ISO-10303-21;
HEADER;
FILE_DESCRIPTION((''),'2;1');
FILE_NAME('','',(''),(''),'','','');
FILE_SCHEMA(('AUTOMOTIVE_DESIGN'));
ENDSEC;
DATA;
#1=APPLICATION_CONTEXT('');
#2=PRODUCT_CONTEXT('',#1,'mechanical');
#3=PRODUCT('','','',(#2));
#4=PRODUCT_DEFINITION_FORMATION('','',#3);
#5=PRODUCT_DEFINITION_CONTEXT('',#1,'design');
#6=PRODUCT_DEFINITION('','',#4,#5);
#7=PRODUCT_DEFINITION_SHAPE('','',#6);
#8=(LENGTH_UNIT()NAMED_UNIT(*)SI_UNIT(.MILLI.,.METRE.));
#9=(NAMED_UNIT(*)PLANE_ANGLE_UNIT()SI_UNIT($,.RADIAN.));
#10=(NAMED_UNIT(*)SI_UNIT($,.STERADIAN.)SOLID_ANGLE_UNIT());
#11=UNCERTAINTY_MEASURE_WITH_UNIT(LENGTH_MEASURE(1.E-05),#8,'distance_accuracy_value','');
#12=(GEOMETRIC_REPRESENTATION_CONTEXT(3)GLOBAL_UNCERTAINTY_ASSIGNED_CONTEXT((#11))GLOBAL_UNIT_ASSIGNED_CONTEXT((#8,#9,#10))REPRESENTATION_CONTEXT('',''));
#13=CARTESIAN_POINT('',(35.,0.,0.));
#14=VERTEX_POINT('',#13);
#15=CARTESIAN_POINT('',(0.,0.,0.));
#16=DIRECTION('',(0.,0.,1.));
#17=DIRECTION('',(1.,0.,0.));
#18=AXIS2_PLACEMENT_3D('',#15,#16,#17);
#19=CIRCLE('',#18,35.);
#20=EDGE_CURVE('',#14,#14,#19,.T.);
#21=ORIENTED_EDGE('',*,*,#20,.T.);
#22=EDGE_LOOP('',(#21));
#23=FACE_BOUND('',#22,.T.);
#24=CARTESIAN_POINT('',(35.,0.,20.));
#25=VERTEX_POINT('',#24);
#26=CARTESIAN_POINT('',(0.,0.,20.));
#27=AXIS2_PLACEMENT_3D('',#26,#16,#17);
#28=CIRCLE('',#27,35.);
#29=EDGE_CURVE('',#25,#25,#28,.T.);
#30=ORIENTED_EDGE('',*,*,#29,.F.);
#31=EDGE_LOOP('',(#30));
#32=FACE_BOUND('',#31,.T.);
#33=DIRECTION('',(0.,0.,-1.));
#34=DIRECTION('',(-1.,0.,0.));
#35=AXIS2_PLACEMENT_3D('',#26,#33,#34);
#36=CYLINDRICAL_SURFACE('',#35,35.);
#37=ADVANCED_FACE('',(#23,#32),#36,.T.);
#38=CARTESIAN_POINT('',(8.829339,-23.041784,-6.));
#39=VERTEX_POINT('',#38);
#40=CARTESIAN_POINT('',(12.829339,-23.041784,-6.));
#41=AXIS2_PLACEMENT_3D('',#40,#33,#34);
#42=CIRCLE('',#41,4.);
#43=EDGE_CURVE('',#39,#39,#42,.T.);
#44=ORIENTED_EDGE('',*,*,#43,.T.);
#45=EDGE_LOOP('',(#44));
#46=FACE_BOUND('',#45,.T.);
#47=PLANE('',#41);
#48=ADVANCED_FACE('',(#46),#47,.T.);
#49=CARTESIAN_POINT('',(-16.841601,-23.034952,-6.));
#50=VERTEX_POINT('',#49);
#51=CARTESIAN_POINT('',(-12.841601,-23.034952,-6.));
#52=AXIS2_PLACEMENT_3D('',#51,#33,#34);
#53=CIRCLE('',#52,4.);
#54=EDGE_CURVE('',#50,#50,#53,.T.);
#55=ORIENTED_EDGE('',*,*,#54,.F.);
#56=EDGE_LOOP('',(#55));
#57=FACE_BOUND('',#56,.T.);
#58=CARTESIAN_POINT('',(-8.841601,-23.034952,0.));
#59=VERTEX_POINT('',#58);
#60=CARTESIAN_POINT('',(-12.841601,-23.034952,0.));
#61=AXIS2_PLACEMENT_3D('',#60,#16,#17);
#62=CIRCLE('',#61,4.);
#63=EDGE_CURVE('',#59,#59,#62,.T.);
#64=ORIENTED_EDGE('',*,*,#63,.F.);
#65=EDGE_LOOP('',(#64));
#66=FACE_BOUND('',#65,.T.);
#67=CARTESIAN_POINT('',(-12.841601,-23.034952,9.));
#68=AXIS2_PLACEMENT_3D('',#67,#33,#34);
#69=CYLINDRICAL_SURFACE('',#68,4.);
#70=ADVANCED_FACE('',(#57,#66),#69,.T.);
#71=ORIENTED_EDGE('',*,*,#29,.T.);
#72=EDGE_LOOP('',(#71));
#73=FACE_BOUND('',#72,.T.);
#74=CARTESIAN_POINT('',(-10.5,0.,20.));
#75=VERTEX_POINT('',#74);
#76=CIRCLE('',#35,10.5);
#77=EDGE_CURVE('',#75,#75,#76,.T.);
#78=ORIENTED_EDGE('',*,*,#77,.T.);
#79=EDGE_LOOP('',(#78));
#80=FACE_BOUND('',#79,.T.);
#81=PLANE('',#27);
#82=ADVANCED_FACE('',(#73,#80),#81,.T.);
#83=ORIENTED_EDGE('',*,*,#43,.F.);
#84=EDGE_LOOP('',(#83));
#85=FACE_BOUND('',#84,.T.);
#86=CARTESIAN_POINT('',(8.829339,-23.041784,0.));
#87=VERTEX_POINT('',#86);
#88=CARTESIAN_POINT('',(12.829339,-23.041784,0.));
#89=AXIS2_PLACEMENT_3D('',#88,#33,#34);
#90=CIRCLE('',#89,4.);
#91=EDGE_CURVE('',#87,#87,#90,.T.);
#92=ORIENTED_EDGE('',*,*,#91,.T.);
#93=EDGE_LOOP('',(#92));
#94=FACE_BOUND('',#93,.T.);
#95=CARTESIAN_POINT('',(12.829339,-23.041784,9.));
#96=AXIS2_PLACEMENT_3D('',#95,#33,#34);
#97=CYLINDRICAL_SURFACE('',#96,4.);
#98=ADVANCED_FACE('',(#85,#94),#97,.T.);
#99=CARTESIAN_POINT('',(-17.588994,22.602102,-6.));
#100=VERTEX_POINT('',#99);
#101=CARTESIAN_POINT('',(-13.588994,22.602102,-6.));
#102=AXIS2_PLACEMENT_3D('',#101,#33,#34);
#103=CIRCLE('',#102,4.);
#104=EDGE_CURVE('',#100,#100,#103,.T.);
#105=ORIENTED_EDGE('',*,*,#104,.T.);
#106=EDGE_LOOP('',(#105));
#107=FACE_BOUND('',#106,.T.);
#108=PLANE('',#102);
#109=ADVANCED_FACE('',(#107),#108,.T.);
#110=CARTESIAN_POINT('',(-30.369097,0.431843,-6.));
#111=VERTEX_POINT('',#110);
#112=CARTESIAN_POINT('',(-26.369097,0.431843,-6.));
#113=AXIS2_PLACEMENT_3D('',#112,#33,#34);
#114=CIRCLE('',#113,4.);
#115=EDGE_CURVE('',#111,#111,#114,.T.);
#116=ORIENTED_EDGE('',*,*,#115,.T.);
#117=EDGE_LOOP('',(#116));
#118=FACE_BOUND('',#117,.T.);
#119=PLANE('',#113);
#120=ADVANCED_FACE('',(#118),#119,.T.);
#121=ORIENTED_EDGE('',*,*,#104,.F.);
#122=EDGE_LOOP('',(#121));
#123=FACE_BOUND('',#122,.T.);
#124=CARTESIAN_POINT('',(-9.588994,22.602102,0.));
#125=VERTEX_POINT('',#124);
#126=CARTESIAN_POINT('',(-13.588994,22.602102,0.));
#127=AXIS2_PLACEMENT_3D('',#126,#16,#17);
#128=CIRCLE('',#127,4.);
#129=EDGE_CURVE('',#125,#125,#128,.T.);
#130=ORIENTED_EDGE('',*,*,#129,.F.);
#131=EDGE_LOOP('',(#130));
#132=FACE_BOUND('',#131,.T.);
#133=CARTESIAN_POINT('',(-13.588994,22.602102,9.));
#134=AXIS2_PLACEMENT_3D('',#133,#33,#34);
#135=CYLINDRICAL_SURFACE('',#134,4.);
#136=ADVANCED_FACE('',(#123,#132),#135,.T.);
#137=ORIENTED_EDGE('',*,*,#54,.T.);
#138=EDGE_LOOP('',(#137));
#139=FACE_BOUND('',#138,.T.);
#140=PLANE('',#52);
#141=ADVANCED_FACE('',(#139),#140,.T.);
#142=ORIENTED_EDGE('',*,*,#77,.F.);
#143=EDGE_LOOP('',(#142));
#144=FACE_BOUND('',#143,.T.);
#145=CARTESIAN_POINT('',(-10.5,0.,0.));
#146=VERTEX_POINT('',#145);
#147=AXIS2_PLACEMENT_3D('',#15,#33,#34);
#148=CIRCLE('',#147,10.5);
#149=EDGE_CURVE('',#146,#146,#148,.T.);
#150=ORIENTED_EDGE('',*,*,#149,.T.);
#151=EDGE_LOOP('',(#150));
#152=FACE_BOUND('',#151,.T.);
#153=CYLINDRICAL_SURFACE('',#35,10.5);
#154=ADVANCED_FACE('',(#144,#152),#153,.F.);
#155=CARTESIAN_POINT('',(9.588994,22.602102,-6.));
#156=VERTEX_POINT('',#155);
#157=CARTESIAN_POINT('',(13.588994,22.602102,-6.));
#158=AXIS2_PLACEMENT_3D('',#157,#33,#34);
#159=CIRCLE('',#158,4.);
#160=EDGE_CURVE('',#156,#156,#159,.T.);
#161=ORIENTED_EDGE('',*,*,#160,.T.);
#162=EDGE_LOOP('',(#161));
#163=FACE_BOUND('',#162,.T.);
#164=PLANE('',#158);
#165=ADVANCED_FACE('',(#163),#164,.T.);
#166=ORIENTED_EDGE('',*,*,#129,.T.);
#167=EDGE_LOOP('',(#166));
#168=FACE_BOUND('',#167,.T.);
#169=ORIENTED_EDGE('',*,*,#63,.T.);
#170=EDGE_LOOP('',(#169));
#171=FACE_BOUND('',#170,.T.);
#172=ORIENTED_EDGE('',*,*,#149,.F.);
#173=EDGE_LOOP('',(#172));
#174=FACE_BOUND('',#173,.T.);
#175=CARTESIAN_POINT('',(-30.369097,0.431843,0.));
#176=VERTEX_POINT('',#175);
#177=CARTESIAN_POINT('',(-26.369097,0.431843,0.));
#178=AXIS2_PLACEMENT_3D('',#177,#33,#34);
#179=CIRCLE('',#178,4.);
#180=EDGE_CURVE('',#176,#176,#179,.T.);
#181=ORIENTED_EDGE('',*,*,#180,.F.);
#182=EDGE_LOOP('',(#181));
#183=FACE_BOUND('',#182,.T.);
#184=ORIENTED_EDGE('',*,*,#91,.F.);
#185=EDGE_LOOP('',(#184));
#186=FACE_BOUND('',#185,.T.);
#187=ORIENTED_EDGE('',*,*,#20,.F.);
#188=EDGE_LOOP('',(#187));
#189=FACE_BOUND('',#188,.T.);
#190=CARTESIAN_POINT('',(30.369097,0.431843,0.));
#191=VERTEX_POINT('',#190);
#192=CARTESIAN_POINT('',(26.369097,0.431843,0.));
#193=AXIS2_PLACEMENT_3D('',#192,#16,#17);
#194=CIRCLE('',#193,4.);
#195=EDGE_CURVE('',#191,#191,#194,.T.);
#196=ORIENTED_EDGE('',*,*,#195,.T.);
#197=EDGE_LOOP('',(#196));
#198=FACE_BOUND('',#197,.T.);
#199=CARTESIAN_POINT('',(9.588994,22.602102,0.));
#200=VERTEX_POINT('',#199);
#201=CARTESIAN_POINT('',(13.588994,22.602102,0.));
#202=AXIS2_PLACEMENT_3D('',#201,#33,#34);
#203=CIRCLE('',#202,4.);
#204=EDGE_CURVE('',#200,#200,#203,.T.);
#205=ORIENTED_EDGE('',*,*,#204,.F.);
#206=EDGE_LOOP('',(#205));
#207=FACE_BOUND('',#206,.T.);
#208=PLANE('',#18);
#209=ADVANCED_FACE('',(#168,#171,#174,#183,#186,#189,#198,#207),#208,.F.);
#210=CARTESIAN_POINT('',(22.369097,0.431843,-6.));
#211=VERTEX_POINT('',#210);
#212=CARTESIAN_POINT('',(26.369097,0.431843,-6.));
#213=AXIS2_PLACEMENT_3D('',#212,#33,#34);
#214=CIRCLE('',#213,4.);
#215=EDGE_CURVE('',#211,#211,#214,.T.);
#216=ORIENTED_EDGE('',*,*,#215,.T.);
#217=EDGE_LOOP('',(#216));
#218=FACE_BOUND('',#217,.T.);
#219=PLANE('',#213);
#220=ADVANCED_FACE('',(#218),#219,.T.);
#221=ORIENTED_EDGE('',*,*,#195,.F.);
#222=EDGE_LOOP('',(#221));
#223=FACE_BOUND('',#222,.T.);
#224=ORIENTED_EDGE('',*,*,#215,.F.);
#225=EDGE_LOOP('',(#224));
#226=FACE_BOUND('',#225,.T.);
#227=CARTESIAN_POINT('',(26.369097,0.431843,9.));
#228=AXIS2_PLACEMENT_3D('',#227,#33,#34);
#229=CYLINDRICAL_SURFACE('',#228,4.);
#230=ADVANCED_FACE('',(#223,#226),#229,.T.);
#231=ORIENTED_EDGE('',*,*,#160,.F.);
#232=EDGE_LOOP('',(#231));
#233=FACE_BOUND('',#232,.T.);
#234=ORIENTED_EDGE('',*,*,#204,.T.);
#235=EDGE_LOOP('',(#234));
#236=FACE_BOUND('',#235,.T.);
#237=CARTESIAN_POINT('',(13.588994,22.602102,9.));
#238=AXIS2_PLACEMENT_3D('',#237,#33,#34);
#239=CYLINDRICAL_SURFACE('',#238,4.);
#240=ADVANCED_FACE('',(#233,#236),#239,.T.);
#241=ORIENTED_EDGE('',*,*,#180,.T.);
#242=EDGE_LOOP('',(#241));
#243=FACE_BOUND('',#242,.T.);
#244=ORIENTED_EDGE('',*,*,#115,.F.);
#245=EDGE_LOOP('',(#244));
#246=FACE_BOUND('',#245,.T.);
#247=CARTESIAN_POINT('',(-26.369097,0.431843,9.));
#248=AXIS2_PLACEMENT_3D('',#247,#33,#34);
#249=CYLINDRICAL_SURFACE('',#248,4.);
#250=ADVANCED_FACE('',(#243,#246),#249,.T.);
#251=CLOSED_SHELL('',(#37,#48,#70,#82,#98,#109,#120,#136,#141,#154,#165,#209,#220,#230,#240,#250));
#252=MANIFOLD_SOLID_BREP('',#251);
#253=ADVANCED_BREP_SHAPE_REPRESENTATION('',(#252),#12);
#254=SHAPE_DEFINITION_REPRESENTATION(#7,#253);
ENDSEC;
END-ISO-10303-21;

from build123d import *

# Parameters (mm, degrees)
ESQUISSE1_R             = 35
ESQUISSE1_R_2           = 7
BOSS_EXTRU_1_DEPTH      = 20
ESQUISSE2_R             = 14
ENL_V_MAT_EXTRU_1_DEPTH = 5
ESQUISSE3_R             = 4
ENL_V_MAT_EXTRU_3_DEPTH = 5
ESQUISSE8_R             = 14
ENL_V_MAT_EXTRU_4_DEPTH = 25
BOSS_EXTRU_2_DEPTH      = 6
BOSS_EXTRU_2_DEPTH_BACK = 9
ESQUISSE9_R             = 4
ESQUISSE10_R            = 14
ESQUISSE10_R_2          = 10.5
BOSS_EXTRU_3_DEPTH      = 20


with BuildPart() as part:
    # Esquisse1 → Boss.-Extru.1 (new body)
    with BuildSketch(Plane.XY):
        Circle(ESQUISSE1_R)
        Circle(ESQUISSE1_R_2, mode=Mode.SUBTRACT)
    extrude(amount=BOSS_EXTRU_1_DEPTH)

    # Esquisse2 → Enlèv. mat.-Extru.1 (cut)
    with BuildSketch(Plane(origin=(0, 0, 0), x_dir=(-1, 0, 0), z_dir=(0, 0, -1))):
        Circle(ESQUISSE2_R)
    extrude(amount=-ENL_V_MAT_EXTRU_1_DEPTH, mode=Mode.SUBTRACT)

    # Esquisse3 → Enlèv. mat.-Extru.3 (cut)
    with BuildSketch(Plane(origin=(0, 0, 0), x_dir=(-1, 0, 0), z_dir=(0, 0, -1))):
        with Locations((-13.588993608, 22.602101614)):
            Circle(ESQUISSE3_R)
        with Locations((13.588993608, 22.602101614)):
            Circle(ESQUISSE3_R)
        with Locations((26.369096609, 0.431843358)):
            Circle(ESQUISSE3_R)
        with Locations((12.841601354, -23.034952123)):
            Circle(ESQUISSE3_R)
        with Locations((-12.82933858, -23.041784138)):
            Circle(ESQUISSE3_R)
        with Locations((-26.369096609, 0.431843358)):
            Circle(ESQUISSE3_R)
    extrude(amount=-ENL_V_MAT_EXTRU_3_DEPTH, mode=Mode.SUBTRACT)

    # Esquisse8 → Enlèv. mat.-Extru.4 (cut)
    with BuildSketch(Plane(origin=(0, 0, 0), x_dir=(-1, 0, 0), z_dir=(0, 0, -1))):
        Circle(ESQUISSE8_R)
    extrude(amount=-ENL_V_MAT_EXTRU_4_DEPTH, mode=Mode.SUBTRACT)

    # Esquisse9 → Boss.-Extru.2 (add, two sides: drawn at the far end of the back side and taken through both)
    with BuildSketch(Plane(origin=(0, 0, 0), x_dir=(-1, 0, 0), z_dir=(0, 0, -1)).offset(-BOSS_EXTRU_2_DEPTH_BACK)):
        with Locations((-13.588993608, 22.602101614)):
            Circle(ESQUISSE9_R)
        with Locations((13.588993608, 22.602101614)):
            Circle(ESQUISSE9_R)
        with Locations((26.369096609, 0.431843358)):
            Circle(ESQUISSE9_R)
        with Locations((12.841601354, -23.034952123)):
            Circle(ESQUISSE9_R)
        with Locations((-12.82933858, -23.041784138)):
            Circle(ESQUISSE9_R)
        with Locations((-26.369096609, 0.431843358)):
            Circle(ESQUISSE9_R)
    extrude(amount=BOSS_EXTRU_2_DEPTH + BOSS_EXTRU_2_DEPTH_BACK)

    # Esquisse10 → Boss.-Extru.3 (add)
    with BuildSketch(Plane(origin=(0, 0, 0), x_dir=(-1, 0, 0), z_dir=(0, 0, -1))):
        Circle(ESQUISSE10_R)
        Circle(ESQUISSE10_R_2, mode=Mode.SUBTRACT)
    extrude(amount=-BOSS_EXTRU_3_DEPTH)


solid = part.part
